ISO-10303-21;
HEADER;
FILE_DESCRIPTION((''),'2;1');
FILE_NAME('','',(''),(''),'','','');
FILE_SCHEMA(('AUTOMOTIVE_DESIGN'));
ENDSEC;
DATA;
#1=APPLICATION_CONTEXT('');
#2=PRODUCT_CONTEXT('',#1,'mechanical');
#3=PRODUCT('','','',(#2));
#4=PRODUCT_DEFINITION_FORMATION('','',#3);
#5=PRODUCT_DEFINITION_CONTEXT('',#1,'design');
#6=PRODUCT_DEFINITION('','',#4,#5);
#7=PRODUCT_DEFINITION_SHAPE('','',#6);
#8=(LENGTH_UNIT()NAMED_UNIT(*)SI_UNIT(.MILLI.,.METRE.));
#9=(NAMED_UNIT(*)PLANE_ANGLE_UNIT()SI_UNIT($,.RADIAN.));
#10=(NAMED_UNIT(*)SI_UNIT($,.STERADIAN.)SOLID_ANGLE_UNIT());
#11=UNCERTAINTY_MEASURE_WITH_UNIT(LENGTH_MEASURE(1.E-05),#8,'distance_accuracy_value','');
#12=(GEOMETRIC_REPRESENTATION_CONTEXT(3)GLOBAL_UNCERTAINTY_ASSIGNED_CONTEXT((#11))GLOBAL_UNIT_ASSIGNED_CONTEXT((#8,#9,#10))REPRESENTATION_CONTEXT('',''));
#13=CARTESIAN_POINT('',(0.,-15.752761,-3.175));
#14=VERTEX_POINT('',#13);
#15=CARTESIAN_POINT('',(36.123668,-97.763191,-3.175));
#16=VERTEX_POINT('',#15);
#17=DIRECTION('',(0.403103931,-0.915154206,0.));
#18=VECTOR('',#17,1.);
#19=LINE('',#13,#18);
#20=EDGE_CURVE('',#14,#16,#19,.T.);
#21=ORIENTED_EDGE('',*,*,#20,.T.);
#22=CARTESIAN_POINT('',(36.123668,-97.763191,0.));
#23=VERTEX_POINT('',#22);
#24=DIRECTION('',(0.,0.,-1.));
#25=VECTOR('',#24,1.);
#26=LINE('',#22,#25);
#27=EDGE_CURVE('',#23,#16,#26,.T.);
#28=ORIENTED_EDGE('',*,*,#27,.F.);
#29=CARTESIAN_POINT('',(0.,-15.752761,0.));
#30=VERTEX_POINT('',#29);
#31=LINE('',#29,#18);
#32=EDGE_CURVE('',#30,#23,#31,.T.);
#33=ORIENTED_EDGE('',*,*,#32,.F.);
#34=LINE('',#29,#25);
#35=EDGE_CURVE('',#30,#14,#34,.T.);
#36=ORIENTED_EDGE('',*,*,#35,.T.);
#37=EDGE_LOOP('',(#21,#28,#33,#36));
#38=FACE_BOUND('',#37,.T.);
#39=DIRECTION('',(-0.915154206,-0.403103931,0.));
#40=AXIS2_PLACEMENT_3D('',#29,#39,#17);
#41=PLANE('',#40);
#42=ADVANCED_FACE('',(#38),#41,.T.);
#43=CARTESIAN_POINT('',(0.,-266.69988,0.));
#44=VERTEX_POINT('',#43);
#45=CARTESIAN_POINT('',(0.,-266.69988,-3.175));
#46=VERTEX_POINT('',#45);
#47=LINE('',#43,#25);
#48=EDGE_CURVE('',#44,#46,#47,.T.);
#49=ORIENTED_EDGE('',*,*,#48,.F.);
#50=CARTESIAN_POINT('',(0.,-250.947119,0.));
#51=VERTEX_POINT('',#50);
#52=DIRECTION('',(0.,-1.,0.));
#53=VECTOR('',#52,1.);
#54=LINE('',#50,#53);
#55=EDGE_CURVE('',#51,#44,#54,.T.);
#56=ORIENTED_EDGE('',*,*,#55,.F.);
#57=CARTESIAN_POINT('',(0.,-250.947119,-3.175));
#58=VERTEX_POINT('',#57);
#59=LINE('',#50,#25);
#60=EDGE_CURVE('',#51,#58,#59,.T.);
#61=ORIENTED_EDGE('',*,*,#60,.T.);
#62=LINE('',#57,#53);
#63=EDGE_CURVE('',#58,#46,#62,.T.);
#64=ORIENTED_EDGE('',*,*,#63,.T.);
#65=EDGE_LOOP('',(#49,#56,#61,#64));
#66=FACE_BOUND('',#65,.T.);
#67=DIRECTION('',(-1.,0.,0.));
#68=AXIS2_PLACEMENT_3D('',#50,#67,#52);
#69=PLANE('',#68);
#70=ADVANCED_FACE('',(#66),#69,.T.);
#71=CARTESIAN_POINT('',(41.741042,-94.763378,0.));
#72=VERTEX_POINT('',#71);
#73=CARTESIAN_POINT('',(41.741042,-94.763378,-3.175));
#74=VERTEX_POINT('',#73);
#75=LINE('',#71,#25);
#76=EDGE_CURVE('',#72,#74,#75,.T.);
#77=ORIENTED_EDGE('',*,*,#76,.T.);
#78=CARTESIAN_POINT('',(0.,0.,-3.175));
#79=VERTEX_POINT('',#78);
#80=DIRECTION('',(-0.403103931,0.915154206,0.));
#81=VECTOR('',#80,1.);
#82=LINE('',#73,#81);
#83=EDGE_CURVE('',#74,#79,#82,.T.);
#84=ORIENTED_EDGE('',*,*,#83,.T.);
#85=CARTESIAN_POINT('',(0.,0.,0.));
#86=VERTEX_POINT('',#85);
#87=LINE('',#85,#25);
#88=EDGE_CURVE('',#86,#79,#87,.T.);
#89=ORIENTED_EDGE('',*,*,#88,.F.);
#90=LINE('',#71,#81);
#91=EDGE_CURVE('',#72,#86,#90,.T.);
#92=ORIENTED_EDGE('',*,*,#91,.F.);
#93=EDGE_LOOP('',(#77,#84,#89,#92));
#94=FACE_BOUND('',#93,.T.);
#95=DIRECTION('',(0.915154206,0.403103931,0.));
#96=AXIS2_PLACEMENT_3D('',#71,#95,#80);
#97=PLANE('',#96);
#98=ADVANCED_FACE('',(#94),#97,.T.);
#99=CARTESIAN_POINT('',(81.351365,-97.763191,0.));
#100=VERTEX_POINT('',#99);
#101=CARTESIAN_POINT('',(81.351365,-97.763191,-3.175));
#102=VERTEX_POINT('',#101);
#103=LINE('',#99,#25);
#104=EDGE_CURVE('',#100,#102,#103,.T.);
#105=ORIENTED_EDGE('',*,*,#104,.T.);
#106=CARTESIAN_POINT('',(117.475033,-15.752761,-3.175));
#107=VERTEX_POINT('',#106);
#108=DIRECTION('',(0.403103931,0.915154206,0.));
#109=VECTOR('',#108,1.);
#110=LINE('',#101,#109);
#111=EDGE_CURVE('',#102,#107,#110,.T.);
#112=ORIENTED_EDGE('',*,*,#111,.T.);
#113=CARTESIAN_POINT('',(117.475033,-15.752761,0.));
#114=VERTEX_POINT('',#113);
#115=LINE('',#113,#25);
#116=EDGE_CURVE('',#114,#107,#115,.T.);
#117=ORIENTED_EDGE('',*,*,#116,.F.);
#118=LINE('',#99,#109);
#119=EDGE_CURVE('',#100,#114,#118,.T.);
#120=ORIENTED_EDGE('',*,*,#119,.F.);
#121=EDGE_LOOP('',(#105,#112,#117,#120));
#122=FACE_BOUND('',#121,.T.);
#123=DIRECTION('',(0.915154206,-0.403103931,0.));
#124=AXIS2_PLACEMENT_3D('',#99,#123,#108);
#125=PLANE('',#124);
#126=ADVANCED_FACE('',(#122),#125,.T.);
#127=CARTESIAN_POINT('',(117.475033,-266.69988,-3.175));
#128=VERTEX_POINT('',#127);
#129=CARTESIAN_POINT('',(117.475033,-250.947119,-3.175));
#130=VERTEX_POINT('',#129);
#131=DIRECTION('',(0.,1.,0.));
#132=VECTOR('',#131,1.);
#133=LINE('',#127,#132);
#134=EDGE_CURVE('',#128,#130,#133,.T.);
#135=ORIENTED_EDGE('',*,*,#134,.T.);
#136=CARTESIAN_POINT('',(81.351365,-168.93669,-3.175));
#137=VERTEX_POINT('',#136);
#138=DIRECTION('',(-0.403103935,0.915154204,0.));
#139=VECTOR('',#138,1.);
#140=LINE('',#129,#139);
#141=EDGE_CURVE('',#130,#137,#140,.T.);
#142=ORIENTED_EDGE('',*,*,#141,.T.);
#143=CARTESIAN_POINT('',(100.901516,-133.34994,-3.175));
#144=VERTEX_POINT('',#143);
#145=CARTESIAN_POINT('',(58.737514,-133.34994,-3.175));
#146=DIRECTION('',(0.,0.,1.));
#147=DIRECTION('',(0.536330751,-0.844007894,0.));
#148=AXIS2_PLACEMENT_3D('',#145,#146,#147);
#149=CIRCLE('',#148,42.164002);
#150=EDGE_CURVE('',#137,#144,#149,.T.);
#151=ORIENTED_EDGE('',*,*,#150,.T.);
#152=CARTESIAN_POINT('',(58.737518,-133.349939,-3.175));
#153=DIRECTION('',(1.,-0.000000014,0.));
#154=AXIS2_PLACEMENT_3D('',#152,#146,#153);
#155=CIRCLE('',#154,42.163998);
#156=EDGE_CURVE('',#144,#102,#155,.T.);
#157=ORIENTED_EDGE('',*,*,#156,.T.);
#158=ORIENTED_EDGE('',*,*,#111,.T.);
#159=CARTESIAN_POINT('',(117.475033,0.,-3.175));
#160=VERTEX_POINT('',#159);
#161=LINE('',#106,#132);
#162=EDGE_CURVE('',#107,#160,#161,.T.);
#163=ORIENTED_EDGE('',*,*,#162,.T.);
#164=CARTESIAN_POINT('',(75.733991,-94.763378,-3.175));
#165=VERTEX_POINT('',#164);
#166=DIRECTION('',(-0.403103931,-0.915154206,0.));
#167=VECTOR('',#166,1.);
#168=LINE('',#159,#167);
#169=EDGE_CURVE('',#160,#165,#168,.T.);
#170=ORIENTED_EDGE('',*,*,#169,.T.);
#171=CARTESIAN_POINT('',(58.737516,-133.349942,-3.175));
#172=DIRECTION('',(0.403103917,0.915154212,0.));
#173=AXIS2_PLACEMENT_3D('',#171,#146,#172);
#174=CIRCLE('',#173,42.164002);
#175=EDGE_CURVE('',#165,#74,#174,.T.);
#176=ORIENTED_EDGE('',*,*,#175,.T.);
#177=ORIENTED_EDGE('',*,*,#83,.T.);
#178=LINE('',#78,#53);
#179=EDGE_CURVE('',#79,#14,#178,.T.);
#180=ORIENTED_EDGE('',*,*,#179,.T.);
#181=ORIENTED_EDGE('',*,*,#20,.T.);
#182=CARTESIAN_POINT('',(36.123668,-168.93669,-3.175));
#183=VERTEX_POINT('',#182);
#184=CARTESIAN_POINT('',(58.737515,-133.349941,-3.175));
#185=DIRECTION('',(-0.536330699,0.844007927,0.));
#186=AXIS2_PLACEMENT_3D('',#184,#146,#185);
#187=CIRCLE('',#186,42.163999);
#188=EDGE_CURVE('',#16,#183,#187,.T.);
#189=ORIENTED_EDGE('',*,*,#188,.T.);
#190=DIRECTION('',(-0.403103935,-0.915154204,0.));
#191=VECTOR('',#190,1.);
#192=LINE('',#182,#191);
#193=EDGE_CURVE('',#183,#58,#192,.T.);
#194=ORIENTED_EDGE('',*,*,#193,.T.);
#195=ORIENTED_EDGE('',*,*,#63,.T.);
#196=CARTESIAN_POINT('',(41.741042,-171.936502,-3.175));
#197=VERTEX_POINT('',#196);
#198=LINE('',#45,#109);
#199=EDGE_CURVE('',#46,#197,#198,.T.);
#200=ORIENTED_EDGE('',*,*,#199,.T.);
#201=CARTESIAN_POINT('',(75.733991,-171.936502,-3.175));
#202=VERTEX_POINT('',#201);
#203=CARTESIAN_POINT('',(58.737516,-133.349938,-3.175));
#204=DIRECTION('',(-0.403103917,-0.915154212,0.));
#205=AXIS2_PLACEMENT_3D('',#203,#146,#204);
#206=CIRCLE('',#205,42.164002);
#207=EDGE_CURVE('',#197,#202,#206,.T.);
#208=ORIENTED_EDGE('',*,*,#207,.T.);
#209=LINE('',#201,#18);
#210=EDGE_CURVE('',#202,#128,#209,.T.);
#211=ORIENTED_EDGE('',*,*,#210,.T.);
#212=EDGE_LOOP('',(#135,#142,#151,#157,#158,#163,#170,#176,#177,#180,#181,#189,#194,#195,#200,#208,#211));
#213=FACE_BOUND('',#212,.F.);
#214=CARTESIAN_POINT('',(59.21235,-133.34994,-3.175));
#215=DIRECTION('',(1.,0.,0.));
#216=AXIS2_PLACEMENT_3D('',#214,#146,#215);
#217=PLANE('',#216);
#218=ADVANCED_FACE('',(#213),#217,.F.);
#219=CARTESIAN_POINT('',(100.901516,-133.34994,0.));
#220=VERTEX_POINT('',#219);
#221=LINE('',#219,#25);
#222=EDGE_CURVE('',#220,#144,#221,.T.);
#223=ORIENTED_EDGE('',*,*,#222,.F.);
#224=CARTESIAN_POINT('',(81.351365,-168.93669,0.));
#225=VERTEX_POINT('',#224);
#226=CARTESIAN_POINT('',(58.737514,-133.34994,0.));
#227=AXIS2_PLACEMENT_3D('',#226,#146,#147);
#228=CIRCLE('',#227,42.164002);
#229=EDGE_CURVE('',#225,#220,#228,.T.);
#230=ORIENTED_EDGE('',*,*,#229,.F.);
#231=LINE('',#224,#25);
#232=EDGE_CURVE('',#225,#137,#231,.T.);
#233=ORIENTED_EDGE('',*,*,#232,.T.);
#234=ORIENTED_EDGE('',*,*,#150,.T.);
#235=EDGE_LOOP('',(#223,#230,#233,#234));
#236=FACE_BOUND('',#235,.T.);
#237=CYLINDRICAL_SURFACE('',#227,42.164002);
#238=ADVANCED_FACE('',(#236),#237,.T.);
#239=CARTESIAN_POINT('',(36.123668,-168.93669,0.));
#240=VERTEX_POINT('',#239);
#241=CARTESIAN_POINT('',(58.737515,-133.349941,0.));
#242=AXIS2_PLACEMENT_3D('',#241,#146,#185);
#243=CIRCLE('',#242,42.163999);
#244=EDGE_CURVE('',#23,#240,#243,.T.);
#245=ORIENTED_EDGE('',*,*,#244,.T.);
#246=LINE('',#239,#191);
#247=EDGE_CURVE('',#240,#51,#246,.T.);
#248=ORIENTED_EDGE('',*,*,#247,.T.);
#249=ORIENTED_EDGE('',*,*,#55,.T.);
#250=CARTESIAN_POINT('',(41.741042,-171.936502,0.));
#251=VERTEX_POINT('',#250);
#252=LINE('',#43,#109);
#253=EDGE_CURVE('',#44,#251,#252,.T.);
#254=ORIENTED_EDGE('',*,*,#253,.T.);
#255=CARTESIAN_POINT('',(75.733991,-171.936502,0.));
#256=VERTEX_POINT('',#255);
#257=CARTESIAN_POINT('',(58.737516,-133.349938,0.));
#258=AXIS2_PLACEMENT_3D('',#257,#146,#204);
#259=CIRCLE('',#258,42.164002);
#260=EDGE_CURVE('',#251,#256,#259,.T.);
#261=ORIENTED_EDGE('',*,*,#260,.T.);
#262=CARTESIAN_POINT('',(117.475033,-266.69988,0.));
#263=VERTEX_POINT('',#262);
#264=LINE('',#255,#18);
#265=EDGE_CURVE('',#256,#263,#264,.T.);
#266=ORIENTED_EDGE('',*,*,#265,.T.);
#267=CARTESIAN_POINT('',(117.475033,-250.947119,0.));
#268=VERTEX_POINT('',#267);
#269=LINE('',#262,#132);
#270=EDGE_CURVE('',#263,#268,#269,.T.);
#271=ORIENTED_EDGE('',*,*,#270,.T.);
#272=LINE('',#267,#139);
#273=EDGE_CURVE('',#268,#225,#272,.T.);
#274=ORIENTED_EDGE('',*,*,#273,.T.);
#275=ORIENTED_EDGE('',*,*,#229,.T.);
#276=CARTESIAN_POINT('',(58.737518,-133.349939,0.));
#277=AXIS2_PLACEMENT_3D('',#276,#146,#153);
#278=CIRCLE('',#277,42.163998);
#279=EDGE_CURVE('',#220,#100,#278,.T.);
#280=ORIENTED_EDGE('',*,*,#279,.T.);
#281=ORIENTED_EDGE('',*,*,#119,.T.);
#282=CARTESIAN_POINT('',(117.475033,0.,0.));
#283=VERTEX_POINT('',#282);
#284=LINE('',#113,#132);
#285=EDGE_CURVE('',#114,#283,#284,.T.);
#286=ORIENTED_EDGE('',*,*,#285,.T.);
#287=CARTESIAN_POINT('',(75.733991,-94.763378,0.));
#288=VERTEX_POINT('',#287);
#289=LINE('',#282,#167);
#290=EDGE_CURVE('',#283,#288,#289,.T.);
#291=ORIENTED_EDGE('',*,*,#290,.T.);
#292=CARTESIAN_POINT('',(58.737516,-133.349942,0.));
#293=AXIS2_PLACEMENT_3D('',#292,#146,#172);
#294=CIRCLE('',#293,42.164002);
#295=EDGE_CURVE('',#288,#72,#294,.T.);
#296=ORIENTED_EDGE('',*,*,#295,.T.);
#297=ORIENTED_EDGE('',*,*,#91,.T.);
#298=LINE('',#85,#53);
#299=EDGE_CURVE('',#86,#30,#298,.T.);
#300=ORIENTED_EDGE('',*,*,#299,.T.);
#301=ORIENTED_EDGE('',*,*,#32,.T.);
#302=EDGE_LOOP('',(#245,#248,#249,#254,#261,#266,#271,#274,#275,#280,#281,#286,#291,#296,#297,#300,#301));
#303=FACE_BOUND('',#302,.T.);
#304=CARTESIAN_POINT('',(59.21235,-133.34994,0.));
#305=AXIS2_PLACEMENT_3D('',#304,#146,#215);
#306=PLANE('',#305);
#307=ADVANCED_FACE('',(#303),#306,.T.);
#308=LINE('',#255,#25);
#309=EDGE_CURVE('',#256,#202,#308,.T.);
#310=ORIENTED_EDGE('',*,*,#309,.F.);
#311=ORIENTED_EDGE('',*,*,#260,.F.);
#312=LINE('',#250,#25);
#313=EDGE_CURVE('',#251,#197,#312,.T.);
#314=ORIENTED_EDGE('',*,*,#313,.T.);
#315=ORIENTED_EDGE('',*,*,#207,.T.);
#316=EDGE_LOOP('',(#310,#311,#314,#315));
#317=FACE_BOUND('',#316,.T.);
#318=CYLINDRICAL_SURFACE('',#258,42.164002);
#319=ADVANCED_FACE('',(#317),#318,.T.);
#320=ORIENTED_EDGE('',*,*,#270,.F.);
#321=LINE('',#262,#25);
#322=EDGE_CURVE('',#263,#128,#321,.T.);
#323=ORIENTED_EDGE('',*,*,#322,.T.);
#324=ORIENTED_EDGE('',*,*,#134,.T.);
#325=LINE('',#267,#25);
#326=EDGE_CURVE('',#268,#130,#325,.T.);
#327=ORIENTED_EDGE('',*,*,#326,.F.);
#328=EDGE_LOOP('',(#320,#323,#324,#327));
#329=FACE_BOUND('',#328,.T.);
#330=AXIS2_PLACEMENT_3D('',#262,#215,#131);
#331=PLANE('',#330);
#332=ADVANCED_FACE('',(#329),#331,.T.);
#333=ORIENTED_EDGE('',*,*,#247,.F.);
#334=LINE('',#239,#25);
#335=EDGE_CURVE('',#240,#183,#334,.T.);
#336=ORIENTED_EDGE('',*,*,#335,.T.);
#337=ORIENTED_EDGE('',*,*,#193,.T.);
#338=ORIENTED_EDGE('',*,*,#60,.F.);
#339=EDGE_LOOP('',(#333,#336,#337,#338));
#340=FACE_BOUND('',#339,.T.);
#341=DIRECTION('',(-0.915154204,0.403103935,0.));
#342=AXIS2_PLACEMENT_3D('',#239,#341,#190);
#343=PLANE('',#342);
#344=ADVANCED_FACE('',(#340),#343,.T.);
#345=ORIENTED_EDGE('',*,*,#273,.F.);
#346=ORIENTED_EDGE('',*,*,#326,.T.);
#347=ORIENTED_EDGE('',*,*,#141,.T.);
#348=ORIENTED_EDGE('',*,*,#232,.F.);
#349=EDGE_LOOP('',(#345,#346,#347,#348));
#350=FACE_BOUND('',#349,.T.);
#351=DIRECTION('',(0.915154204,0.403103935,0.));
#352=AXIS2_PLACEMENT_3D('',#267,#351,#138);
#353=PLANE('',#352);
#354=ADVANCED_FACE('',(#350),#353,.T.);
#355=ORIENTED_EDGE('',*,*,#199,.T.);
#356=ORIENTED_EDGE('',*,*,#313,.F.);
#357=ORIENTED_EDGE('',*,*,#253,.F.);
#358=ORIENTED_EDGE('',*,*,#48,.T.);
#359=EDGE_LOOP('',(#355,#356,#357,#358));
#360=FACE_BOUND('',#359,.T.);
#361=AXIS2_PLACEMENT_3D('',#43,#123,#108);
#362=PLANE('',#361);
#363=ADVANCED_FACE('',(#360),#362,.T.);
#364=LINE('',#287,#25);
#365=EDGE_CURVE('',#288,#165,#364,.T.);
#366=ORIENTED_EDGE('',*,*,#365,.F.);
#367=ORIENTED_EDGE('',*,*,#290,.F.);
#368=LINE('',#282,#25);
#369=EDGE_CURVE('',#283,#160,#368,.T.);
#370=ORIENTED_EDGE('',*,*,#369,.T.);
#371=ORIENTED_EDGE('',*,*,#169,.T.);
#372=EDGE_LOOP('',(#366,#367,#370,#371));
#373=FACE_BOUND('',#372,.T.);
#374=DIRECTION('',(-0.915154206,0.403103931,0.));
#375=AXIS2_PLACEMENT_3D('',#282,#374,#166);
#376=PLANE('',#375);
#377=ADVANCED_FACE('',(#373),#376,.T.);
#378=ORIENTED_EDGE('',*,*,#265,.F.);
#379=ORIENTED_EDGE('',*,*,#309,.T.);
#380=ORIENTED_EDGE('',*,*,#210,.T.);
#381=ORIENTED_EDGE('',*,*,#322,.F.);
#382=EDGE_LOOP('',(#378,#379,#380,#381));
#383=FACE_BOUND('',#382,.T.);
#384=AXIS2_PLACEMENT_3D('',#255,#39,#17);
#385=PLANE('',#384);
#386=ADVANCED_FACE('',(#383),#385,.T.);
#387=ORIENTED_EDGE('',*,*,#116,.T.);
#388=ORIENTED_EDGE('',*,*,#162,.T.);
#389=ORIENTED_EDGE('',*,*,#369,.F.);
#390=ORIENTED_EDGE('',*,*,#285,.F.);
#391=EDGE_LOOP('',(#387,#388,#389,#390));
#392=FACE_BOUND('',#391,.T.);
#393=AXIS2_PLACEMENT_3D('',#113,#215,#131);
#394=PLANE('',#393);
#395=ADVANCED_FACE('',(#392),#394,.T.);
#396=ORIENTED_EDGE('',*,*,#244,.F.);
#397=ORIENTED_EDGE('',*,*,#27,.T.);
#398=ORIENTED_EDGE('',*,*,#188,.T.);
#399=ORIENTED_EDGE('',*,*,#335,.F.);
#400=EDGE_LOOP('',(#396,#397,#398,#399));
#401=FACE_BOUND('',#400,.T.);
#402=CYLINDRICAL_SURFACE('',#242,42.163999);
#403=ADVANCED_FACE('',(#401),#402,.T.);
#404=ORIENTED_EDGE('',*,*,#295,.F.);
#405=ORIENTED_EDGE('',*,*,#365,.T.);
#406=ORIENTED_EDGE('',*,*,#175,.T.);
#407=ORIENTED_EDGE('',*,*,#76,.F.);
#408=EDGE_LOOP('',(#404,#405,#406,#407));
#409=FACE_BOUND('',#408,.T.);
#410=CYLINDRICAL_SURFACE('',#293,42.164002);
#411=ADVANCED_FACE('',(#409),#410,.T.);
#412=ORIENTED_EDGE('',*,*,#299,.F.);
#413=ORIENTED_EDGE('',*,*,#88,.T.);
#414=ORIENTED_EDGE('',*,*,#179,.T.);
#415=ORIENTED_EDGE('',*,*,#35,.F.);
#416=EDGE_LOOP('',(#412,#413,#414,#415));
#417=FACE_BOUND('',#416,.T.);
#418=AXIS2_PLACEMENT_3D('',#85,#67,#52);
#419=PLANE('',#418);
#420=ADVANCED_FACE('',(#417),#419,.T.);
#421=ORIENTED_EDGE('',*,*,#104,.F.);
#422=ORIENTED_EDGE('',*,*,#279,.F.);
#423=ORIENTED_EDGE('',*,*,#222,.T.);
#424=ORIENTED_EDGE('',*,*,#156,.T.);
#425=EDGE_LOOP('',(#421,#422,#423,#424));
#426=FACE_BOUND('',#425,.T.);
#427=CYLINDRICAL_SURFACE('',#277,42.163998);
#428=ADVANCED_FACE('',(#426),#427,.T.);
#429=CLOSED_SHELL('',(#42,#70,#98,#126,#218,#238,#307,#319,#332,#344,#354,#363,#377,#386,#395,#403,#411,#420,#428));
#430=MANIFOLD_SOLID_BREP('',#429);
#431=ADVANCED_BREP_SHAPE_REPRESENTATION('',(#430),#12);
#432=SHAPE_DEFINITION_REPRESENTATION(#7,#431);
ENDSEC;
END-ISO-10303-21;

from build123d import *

# Parameters (mm, degrees)
F1_DEPTH = 3.175


with BuildPart() as f1:
    # F0 (on Top) → F1 (new body)
    with BuildSketch(Plane.XY):
        with BuildLine():
            ThreePointArc((81.351365, -168.93669), (95.692172, -153.651573), (100.901516, -133.34994))
            ThreePointArc((100.901516, -133.34994), (95.692172, -113.048307), (81.351365, -97.763191))
            ThreePointArc((81.351365, -97.763191), (78.599393, -96.157081), (75.733991, -94.763378))
            ThreePointArc((75.733991, -94.763378), (58.737516, -91.18594), (41.741042, -94.763378))
            ThreePointArc((41.741042, -94.763378), (38.87564, -96.157081), (36.123668, -97.763191))
            ThreePointArc((36.123668, -97.763191), (16.573516, -133.34994), (36.123668, -168.93669))
            ThreePointArc((36.123668, -168.93669), (38.87564, -170.542799), (41.741042, -171.936502))
            ThreePointArc((41.741042, -171.936502), (58.737516, -175.51394), (75.733991, -171.936502))
            ThreePointArc((75.733991, -171.936502), (78.599393, -170.542799), (81.351365, -168.93669))
        make_face()
        with BuildLine():
            ThreePointArc((75.733991, -94.763378), (78.599393, -96.157081), (81.351365, -97.763191))
            Line((81.351365, -97.763191), (117.475033, -15.752761))
            Line((117.475033, -15.752761), (117.475033, 0))
            Line((117.475033, 0), (75.733991, -94.763378))
        make_face()
        with BuildLine():
            Line((117.475033, -250.947119), (81.351365, -168.93669))
            ThreePointArc((81.351365, -168.93669), (78.599393, -170.542799), (75.733991, -171.936502))
            Line((75.733991, -171.936502), (117.475033, -266.69988))
            Line((117.475033, -266.69988), (117.475033, -250.947119))
        make_face()
        with BuildLine():
            ThreePointArc((36.123668, -97.763191), (38.87564, -96.157081), (41.741042, -94.763378))
            Line((41.741042, -94.763378), (0, 0))
            Line((0, 0), (0, -15.752761))
            Line((0, -15.752761), (36.123668, -97.763191))
        make_face()
        with BuildLine():
            Line((0, -266.69988), (41.741042, -171.936502))
            ThreePointArc((41.741042, -171.936502), (38.87564, -170.542799), (36.123668, -168.93669))
            Line((36.123668, -168.93669), (0, -250.947119))
            Line((0, -250.947119), (0, -266.69988))
        make_face()
    extrude(amount=-F1_DEPTH)


solid = f1.part
